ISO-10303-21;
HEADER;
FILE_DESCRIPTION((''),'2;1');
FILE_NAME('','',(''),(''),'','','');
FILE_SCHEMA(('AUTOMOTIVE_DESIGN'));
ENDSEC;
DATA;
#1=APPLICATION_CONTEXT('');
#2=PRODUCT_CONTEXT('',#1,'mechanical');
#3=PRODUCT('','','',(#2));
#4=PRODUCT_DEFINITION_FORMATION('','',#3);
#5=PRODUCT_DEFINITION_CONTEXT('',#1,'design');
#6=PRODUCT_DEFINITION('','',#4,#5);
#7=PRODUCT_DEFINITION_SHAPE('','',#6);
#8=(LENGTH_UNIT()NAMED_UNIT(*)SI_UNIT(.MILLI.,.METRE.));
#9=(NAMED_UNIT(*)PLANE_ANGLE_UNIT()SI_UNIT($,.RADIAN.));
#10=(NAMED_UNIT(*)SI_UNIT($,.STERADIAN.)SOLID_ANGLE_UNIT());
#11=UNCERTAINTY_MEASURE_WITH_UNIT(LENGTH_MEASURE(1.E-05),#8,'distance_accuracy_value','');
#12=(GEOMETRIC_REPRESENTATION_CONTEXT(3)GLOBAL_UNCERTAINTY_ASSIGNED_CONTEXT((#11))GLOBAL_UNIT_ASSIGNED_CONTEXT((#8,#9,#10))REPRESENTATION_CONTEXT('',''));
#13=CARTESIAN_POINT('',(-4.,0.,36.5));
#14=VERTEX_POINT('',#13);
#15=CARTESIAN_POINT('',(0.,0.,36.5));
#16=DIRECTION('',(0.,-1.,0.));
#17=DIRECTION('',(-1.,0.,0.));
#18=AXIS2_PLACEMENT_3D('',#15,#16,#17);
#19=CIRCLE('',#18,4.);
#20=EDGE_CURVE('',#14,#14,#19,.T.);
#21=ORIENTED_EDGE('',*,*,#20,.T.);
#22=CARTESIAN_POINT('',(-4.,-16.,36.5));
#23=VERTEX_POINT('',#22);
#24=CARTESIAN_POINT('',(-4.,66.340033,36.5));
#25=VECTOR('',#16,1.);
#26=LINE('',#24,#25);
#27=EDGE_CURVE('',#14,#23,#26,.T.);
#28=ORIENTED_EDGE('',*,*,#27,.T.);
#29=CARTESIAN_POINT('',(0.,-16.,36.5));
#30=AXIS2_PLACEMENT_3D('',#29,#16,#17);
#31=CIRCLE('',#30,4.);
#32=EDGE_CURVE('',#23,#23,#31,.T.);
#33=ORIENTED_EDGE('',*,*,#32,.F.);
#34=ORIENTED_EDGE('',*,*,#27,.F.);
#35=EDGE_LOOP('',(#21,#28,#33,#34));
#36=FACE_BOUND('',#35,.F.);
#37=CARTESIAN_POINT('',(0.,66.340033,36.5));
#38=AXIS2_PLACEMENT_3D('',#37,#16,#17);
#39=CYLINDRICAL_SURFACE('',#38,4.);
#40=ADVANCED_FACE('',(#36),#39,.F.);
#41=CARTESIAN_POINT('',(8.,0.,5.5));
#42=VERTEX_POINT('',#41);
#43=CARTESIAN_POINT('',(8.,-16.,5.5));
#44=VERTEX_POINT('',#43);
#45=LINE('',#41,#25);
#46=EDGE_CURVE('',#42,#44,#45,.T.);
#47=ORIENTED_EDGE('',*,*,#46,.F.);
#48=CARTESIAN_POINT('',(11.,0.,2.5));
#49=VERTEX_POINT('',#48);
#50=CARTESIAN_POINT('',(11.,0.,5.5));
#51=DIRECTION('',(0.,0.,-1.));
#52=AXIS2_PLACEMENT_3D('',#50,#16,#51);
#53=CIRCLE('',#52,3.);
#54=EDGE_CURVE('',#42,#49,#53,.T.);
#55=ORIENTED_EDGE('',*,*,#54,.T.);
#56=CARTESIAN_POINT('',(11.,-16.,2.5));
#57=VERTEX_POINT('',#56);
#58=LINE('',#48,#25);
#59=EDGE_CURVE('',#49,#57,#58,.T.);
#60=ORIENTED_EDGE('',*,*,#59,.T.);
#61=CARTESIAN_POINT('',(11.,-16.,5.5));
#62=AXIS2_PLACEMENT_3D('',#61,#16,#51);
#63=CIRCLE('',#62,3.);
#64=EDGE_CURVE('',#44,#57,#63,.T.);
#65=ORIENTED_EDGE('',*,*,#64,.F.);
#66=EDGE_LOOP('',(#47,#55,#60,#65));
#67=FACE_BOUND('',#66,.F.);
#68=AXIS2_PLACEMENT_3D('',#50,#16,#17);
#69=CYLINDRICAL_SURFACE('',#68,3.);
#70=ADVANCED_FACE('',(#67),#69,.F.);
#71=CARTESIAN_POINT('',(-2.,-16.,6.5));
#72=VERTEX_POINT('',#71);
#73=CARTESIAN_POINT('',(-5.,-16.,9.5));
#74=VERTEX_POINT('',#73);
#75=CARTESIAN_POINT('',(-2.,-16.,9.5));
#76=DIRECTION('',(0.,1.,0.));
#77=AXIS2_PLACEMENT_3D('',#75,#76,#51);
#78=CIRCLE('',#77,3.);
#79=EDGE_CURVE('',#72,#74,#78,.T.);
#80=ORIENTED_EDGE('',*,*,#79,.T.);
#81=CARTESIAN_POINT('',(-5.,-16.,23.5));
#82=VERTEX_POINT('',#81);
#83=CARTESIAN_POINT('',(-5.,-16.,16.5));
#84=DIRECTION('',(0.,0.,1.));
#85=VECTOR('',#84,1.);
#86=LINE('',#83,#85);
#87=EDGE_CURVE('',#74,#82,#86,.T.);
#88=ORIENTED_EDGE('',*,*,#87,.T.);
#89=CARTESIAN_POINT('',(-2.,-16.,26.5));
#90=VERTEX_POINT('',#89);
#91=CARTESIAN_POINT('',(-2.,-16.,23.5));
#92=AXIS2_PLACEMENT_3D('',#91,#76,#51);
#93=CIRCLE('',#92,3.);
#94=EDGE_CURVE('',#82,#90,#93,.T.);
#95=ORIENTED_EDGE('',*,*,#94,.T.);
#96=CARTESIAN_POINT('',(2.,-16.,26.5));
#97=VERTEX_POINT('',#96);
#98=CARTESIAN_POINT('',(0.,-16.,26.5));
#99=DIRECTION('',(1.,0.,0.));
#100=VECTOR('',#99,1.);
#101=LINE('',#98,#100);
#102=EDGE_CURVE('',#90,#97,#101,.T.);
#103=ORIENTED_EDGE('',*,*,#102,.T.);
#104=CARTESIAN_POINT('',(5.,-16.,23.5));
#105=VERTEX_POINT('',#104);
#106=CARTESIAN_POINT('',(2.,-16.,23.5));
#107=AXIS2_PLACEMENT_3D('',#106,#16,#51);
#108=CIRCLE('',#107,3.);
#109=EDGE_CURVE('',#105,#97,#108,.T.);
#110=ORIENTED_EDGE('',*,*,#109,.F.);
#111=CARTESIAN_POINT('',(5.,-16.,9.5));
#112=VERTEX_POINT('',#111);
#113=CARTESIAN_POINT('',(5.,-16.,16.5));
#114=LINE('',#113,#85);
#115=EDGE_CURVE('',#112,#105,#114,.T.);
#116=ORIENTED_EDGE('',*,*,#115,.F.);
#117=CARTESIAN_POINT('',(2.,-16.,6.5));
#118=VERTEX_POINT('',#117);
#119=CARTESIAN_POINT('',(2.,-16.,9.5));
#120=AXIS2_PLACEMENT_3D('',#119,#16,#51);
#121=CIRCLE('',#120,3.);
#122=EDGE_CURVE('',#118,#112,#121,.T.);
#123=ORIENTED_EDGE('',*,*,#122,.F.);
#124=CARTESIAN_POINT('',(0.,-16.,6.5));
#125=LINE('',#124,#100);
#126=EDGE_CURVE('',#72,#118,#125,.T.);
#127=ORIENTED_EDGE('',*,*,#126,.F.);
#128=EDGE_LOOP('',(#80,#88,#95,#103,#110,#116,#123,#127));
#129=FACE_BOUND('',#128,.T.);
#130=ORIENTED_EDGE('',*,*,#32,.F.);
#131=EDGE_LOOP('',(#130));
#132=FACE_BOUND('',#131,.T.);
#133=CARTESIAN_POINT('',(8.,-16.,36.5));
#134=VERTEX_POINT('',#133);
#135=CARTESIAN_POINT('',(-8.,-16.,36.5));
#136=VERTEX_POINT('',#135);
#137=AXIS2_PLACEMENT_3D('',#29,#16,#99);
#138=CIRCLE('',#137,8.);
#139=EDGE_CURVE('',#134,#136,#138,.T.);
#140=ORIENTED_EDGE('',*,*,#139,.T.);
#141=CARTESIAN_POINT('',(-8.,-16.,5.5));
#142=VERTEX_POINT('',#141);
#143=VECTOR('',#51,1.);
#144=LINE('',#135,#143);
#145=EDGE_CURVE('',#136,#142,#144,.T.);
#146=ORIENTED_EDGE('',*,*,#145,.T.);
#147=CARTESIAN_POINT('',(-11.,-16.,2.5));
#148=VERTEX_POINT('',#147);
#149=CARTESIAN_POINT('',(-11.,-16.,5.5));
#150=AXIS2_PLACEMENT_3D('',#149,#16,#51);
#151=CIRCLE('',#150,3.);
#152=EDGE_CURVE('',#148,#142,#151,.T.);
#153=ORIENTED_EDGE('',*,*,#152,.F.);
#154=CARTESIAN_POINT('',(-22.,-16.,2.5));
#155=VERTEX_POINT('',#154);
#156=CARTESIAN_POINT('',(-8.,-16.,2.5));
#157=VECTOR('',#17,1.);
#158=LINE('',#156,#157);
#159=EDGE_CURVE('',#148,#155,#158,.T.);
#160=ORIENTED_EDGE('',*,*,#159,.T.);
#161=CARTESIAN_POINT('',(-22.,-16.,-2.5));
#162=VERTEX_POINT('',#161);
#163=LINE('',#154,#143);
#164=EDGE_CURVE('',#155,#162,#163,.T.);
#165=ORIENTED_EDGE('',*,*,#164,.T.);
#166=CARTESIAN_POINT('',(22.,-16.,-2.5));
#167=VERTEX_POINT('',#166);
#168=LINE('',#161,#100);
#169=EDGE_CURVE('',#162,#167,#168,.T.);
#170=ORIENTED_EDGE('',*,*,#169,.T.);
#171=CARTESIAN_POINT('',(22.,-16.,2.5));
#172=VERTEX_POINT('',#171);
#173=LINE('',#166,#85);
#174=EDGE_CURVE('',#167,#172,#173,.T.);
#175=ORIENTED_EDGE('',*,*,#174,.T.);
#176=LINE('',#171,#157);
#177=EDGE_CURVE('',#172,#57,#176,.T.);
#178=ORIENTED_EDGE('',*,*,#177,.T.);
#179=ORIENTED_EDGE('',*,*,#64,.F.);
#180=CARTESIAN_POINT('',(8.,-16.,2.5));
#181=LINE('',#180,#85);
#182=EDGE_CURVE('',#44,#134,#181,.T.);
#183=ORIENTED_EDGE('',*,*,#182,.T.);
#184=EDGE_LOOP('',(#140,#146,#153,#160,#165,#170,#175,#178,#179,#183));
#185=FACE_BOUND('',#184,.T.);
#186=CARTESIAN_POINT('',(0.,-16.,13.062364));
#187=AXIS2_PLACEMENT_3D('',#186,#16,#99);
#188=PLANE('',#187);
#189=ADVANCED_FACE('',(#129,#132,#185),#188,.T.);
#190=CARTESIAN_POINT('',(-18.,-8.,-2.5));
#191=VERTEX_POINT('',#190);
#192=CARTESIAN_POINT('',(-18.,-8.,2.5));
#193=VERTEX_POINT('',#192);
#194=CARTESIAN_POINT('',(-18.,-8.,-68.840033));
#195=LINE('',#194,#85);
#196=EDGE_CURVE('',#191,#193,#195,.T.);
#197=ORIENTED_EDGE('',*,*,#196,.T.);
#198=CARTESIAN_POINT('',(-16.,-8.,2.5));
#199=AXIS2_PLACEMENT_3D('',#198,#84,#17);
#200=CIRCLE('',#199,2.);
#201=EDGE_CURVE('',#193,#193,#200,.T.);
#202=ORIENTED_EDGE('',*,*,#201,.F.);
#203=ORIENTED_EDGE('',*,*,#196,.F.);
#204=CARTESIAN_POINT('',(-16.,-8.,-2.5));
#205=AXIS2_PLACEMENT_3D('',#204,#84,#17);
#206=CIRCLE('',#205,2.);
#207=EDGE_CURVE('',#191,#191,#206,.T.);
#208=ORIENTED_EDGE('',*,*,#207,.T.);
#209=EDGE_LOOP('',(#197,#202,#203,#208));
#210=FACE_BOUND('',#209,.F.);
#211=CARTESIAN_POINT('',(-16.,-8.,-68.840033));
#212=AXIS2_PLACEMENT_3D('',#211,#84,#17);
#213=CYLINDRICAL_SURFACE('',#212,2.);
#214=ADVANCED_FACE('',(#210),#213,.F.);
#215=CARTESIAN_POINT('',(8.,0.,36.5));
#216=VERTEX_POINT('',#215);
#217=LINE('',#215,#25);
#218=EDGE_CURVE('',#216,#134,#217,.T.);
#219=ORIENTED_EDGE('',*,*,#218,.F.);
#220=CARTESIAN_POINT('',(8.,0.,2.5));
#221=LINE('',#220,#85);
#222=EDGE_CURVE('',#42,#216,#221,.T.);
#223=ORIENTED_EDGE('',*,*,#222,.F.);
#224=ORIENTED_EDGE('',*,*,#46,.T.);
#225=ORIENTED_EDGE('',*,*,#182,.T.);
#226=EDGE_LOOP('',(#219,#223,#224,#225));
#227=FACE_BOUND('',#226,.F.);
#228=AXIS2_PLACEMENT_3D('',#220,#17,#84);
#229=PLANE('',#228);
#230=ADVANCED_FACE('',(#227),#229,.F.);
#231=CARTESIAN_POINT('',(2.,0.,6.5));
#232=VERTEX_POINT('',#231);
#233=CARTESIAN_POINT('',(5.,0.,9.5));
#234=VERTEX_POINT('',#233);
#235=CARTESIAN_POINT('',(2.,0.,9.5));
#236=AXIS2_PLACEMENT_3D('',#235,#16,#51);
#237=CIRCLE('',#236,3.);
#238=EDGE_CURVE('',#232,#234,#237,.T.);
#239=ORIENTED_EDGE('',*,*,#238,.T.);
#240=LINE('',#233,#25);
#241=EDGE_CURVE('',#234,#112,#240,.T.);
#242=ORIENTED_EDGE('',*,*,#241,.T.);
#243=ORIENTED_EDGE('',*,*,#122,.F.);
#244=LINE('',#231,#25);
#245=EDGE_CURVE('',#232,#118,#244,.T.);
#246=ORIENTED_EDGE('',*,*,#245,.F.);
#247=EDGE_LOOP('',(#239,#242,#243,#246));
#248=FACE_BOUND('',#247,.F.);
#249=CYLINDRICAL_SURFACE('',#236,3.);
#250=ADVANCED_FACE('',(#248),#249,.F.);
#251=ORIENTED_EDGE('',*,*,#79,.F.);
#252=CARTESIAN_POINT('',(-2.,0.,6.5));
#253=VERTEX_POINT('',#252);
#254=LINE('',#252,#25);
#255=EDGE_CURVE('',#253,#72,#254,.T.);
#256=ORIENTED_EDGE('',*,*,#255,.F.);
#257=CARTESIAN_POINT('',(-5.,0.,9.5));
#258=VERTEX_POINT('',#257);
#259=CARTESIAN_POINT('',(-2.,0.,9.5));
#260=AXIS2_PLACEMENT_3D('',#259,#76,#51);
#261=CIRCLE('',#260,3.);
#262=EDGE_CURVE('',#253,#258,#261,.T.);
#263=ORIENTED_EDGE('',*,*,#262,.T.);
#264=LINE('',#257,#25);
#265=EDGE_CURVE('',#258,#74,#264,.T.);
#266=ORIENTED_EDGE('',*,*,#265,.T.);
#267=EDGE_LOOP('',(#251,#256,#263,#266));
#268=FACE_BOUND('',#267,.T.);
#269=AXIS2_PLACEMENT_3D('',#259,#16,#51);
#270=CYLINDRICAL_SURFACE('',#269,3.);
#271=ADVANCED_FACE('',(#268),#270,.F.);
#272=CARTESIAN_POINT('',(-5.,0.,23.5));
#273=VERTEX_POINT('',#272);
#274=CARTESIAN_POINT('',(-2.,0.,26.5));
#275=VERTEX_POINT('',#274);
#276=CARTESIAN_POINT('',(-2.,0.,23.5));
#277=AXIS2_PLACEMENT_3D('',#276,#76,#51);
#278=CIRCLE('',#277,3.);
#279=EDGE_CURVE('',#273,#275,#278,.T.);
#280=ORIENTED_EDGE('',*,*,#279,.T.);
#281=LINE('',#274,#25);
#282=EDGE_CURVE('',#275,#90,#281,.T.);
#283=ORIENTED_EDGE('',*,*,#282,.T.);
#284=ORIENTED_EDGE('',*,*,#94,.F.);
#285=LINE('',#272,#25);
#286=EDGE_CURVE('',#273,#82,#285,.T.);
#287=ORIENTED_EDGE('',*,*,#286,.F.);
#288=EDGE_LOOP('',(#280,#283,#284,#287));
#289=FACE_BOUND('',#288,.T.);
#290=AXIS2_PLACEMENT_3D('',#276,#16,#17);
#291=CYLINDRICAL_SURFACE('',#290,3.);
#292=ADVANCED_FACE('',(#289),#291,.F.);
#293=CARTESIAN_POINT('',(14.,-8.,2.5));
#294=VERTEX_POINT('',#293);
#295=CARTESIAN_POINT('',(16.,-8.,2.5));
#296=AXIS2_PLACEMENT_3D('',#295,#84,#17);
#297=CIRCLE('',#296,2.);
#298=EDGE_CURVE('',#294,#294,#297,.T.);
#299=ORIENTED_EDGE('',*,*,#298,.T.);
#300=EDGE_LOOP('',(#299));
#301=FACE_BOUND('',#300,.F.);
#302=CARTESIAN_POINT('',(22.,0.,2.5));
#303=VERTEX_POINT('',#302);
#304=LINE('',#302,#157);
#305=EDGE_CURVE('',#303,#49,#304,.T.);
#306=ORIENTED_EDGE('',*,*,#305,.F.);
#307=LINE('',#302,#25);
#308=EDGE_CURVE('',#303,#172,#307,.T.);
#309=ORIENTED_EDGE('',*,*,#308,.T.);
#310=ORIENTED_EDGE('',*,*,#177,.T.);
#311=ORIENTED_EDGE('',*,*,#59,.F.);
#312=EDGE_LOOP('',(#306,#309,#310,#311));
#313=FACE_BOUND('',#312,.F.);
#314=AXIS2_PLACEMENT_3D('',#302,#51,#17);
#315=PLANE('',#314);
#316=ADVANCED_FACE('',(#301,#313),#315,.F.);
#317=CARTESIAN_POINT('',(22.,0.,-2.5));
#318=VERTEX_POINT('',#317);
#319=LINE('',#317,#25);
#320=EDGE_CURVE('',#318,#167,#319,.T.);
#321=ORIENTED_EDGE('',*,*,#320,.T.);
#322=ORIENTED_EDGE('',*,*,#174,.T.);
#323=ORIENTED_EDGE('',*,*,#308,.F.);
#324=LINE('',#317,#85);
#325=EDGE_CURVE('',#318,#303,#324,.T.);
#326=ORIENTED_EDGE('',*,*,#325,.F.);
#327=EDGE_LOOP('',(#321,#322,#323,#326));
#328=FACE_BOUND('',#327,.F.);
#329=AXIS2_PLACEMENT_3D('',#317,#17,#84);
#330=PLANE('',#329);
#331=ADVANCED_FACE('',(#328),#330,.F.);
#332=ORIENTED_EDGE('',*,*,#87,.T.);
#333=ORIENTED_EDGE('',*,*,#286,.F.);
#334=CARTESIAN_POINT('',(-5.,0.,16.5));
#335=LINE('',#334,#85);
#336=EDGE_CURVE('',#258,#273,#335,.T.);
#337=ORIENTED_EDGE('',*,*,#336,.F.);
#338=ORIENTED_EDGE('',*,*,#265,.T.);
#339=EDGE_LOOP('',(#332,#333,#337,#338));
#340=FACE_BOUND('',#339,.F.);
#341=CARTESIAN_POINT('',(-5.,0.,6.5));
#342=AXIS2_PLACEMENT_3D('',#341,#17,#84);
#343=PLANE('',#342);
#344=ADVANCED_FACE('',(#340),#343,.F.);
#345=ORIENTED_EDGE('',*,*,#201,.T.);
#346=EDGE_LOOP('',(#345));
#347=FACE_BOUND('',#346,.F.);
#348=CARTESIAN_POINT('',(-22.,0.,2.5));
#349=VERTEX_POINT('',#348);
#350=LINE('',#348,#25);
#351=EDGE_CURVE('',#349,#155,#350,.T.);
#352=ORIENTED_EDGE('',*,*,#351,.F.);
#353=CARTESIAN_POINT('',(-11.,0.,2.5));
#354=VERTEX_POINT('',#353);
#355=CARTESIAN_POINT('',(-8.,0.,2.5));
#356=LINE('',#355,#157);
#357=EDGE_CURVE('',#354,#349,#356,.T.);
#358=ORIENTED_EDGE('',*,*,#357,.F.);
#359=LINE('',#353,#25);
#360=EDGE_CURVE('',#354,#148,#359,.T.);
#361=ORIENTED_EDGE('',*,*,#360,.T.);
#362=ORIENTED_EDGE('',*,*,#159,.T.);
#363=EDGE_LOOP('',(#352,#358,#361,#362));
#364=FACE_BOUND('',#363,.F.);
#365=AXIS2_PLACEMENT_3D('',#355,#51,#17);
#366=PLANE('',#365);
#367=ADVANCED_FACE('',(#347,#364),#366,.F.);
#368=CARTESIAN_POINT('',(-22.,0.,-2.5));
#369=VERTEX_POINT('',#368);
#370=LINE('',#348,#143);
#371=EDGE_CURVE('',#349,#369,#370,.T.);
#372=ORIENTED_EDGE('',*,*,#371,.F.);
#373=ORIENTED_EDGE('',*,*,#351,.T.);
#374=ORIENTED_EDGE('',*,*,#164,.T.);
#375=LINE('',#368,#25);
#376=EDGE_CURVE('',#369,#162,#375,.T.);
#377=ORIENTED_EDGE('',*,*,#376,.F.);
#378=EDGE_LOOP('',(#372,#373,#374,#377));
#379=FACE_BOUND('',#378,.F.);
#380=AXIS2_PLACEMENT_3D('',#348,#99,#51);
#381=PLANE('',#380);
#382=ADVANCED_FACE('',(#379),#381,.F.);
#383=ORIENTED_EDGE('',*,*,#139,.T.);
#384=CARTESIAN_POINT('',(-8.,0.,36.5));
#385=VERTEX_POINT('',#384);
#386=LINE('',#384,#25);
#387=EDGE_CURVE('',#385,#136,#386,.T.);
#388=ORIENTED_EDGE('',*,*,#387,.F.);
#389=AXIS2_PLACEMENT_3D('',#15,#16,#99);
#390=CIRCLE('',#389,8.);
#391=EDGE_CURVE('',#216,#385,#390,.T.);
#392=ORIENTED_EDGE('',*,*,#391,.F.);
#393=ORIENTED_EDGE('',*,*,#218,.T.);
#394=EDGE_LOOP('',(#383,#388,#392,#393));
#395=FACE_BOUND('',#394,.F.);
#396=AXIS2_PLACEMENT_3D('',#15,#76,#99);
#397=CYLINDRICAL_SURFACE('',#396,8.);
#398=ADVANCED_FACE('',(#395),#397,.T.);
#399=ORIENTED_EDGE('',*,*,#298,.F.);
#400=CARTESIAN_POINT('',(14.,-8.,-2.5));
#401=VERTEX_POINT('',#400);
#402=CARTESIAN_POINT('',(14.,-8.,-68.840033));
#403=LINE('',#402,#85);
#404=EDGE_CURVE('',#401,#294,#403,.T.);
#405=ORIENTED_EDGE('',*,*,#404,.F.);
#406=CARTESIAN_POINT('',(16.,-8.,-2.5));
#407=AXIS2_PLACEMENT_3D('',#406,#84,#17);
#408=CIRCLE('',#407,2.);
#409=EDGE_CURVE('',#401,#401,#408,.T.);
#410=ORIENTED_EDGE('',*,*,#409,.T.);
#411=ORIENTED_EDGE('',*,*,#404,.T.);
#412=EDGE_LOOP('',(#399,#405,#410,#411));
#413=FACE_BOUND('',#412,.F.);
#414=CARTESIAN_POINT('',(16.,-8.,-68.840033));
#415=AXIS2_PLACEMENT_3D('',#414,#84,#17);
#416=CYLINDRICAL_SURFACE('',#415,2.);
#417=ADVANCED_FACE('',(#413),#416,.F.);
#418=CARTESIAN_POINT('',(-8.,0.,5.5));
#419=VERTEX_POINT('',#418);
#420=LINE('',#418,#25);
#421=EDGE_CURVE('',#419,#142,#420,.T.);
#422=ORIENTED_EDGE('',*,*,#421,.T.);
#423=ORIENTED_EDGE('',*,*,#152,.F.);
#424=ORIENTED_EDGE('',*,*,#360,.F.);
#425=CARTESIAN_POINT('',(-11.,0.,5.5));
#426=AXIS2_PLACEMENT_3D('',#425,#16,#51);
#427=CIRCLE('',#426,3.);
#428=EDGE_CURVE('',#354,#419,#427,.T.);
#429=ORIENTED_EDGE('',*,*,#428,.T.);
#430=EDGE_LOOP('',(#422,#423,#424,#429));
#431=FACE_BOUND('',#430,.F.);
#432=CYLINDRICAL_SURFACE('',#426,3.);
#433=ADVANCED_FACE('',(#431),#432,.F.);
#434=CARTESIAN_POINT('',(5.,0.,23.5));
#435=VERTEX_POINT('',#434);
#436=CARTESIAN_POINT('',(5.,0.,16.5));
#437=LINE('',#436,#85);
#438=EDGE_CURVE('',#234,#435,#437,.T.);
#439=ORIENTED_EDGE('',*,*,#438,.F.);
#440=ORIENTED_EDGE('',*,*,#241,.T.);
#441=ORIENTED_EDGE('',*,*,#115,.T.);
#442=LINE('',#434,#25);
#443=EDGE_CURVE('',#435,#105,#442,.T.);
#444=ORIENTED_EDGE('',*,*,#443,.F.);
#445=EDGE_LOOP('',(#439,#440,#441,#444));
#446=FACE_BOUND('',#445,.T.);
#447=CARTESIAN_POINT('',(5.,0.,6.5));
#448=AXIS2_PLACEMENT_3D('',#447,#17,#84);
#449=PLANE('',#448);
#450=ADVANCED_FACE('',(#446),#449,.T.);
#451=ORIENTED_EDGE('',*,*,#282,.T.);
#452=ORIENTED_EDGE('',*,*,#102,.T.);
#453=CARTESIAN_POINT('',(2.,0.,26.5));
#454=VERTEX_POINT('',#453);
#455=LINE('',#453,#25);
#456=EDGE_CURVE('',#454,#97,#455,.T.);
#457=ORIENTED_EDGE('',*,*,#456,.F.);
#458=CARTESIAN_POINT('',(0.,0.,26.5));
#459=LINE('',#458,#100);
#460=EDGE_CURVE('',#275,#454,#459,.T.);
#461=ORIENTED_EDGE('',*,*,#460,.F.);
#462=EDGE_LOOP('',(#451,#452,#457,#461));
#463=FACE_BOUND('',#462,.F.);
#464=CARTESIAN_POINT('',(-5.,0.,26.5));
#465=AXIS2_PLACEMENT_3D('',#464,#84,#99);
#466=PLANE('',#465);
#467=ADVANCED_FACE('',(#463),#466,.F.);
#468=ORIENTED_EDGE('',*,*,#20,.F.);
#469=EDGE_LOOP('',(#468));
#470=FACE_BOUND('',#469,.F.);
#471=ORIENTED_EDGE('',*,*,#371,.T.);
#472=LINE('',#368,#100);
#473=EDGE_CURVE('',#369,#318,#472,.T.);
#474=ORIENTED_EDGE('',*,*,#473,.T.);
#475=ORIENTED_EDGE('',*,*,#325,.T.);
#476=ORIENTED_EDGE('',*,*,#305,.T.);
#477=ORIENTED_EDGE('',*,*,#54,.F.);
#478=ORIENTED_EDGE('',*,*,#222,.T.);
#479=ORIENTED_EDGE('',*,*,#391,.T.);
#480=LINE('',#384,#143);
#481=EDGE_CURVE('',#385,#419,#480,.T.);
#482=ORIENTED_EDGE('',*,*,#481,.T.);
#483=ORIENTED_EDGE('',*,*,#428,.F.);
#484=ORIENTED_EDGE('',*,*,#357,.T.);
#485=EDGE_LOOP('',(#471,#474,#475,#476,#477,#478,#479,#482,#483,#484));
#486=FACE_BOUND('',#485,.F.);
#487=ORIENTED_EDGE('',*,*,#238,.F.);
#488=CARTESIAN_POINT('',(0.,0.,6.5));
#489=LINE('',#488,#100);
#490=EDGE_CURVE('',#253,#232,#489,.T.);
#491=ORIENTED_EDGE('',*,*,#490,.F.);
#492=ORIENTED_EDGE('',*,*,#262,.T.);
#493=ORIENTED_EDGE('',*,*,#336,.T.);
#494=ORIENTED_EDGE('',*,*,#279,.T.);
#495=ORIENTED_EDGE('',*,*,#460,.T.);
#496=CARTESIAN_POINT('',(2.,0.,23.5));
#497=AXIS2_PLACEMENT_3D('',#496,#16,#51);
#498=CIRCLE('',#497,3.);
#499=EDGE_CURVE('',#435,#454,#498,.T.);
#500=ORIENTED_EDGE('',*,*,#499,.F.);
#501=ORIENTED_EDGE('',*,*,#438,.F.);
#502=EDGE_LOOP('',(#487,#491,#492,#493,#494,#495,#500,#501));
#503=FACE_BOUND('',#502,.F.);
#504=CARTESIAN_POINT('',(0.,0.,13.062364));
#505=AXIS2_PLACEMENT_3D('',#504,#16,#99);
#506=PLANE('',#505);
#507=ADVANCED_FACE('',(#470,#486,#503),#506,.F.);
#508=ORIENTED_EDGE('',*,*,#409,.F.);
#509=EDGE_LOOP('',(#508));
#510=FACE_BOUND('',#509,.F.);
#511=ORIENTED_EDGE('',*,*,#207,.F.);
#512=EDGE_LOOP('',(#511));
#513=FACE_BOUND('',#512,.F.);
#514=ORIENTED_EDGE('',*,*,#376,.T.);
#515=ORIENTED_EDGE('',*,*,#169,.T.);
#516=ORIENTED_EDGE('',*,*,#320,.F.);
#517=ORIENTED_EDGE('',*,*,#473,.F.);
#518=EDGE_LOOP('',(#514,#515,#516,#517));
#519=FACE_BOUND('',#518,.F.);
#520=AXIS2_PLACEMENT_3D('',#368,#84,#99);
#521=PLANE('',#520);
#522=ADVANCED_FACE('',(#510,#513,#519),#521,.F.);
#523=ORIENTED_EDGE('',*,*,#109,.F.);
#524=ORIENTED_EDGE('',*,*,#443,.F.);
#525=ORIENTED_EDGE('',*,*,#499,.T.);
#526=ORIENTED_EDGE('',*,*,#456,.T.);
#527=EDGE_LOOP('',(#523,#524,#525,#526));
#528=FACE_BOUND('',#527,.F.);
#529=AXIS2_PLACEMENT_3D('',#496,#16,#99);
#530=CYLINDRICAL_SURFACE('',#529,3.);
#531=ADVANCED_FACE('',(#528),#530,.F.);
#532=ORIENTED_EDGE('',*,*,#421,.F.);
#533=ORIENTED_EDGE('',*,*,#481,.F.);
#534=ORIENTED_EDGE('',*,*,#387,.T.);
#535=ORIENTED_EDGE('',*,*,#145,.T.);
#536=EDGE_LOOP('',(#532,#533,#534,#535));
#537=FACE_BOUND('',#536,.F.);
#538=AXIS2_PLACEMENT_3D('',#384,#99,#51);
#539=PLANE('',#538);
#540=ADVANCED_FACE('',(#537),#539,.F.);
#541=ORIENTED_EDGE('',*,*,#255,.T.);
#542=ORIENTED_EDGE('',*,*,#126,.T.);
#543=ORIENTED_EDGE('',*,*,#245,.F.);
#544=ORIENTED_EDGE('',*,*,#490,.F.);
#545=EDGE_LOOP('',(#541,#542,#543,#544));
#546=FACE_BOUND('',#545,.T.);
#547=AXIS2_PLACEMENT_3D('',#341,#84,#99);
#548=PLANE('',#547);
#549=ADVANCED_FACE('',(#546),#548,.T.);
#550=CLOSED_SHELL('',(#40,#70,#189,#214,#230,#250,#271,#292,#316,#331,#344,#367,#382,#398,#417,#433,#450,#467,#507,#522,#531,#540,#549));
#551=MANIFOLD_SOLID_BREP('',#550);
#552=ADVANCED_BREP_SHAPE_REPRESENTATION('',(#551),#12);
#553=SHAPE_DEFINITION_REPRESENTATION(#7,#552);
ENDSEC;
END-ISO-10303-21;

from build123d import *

# Parameters (mm, degrees)
F0_W     = 10
F0_H     = 20
F1_DEPTH = 16
F2_D     = 8
F4_D     = 4
F5_R     = 3


with BuildPart() as f1:
    # F0 (on Front) → F1 (new body)
    with BuildSketch(Plane.XZ):
        with BuildLine():
            Line((-8, 2.5), (-22, 2.5))
            Line((-22, 2.5), (-22, -2.5))
            Line((-22, -2.5), (22, -2.5))
            Line((22, -2.5), (22, 2.5))
            Line((22, 2.5), (8, 2.5))
            Line((8, 2.5), (8, 36.5))
            ThreePointArc((8, 36.5), (0, 44.5), (-8, 36.5))
            Line((-8, 36.5), (-8, 2.5))
        make_face()
        with Locations((0, 16.5)):
            Rectangle(F0_W, F0_H, mode=Mode.SUBTRACT)
    extrude(amount=F1_DEPTH)

    # F2 (through all)
    with Locations(Plane(origin=(0, 0, 0), x_dir=(1, 0, 0), z_dir=(0, 1, 0))):
        with Locations((0, -36.5)):
            Hole(F2_D / 2)

    # F4 (through all)
    with Locations(Plane(origin=(0, 0, -2.5), x_dir=(1, 0, 0), z_dir=(0, 0, -1))):
        with Locations((-16, 8), (16, 8)):
            Hole(F4_D / 2)

    # F5
    f5_edges = [f1.edges().sort_by_distance(p)[0] for p in [
        (-8, -8, 2.5),
        (8, -8, 2.5),
        (5, -8, 6.5),
        (-5, -8, 6.5),
        (-5, -8, 26.5),
        (5, -8, 26.5),
    ]]
    fillet(f5_edges, radius=F5_R)


solid = f1.part
